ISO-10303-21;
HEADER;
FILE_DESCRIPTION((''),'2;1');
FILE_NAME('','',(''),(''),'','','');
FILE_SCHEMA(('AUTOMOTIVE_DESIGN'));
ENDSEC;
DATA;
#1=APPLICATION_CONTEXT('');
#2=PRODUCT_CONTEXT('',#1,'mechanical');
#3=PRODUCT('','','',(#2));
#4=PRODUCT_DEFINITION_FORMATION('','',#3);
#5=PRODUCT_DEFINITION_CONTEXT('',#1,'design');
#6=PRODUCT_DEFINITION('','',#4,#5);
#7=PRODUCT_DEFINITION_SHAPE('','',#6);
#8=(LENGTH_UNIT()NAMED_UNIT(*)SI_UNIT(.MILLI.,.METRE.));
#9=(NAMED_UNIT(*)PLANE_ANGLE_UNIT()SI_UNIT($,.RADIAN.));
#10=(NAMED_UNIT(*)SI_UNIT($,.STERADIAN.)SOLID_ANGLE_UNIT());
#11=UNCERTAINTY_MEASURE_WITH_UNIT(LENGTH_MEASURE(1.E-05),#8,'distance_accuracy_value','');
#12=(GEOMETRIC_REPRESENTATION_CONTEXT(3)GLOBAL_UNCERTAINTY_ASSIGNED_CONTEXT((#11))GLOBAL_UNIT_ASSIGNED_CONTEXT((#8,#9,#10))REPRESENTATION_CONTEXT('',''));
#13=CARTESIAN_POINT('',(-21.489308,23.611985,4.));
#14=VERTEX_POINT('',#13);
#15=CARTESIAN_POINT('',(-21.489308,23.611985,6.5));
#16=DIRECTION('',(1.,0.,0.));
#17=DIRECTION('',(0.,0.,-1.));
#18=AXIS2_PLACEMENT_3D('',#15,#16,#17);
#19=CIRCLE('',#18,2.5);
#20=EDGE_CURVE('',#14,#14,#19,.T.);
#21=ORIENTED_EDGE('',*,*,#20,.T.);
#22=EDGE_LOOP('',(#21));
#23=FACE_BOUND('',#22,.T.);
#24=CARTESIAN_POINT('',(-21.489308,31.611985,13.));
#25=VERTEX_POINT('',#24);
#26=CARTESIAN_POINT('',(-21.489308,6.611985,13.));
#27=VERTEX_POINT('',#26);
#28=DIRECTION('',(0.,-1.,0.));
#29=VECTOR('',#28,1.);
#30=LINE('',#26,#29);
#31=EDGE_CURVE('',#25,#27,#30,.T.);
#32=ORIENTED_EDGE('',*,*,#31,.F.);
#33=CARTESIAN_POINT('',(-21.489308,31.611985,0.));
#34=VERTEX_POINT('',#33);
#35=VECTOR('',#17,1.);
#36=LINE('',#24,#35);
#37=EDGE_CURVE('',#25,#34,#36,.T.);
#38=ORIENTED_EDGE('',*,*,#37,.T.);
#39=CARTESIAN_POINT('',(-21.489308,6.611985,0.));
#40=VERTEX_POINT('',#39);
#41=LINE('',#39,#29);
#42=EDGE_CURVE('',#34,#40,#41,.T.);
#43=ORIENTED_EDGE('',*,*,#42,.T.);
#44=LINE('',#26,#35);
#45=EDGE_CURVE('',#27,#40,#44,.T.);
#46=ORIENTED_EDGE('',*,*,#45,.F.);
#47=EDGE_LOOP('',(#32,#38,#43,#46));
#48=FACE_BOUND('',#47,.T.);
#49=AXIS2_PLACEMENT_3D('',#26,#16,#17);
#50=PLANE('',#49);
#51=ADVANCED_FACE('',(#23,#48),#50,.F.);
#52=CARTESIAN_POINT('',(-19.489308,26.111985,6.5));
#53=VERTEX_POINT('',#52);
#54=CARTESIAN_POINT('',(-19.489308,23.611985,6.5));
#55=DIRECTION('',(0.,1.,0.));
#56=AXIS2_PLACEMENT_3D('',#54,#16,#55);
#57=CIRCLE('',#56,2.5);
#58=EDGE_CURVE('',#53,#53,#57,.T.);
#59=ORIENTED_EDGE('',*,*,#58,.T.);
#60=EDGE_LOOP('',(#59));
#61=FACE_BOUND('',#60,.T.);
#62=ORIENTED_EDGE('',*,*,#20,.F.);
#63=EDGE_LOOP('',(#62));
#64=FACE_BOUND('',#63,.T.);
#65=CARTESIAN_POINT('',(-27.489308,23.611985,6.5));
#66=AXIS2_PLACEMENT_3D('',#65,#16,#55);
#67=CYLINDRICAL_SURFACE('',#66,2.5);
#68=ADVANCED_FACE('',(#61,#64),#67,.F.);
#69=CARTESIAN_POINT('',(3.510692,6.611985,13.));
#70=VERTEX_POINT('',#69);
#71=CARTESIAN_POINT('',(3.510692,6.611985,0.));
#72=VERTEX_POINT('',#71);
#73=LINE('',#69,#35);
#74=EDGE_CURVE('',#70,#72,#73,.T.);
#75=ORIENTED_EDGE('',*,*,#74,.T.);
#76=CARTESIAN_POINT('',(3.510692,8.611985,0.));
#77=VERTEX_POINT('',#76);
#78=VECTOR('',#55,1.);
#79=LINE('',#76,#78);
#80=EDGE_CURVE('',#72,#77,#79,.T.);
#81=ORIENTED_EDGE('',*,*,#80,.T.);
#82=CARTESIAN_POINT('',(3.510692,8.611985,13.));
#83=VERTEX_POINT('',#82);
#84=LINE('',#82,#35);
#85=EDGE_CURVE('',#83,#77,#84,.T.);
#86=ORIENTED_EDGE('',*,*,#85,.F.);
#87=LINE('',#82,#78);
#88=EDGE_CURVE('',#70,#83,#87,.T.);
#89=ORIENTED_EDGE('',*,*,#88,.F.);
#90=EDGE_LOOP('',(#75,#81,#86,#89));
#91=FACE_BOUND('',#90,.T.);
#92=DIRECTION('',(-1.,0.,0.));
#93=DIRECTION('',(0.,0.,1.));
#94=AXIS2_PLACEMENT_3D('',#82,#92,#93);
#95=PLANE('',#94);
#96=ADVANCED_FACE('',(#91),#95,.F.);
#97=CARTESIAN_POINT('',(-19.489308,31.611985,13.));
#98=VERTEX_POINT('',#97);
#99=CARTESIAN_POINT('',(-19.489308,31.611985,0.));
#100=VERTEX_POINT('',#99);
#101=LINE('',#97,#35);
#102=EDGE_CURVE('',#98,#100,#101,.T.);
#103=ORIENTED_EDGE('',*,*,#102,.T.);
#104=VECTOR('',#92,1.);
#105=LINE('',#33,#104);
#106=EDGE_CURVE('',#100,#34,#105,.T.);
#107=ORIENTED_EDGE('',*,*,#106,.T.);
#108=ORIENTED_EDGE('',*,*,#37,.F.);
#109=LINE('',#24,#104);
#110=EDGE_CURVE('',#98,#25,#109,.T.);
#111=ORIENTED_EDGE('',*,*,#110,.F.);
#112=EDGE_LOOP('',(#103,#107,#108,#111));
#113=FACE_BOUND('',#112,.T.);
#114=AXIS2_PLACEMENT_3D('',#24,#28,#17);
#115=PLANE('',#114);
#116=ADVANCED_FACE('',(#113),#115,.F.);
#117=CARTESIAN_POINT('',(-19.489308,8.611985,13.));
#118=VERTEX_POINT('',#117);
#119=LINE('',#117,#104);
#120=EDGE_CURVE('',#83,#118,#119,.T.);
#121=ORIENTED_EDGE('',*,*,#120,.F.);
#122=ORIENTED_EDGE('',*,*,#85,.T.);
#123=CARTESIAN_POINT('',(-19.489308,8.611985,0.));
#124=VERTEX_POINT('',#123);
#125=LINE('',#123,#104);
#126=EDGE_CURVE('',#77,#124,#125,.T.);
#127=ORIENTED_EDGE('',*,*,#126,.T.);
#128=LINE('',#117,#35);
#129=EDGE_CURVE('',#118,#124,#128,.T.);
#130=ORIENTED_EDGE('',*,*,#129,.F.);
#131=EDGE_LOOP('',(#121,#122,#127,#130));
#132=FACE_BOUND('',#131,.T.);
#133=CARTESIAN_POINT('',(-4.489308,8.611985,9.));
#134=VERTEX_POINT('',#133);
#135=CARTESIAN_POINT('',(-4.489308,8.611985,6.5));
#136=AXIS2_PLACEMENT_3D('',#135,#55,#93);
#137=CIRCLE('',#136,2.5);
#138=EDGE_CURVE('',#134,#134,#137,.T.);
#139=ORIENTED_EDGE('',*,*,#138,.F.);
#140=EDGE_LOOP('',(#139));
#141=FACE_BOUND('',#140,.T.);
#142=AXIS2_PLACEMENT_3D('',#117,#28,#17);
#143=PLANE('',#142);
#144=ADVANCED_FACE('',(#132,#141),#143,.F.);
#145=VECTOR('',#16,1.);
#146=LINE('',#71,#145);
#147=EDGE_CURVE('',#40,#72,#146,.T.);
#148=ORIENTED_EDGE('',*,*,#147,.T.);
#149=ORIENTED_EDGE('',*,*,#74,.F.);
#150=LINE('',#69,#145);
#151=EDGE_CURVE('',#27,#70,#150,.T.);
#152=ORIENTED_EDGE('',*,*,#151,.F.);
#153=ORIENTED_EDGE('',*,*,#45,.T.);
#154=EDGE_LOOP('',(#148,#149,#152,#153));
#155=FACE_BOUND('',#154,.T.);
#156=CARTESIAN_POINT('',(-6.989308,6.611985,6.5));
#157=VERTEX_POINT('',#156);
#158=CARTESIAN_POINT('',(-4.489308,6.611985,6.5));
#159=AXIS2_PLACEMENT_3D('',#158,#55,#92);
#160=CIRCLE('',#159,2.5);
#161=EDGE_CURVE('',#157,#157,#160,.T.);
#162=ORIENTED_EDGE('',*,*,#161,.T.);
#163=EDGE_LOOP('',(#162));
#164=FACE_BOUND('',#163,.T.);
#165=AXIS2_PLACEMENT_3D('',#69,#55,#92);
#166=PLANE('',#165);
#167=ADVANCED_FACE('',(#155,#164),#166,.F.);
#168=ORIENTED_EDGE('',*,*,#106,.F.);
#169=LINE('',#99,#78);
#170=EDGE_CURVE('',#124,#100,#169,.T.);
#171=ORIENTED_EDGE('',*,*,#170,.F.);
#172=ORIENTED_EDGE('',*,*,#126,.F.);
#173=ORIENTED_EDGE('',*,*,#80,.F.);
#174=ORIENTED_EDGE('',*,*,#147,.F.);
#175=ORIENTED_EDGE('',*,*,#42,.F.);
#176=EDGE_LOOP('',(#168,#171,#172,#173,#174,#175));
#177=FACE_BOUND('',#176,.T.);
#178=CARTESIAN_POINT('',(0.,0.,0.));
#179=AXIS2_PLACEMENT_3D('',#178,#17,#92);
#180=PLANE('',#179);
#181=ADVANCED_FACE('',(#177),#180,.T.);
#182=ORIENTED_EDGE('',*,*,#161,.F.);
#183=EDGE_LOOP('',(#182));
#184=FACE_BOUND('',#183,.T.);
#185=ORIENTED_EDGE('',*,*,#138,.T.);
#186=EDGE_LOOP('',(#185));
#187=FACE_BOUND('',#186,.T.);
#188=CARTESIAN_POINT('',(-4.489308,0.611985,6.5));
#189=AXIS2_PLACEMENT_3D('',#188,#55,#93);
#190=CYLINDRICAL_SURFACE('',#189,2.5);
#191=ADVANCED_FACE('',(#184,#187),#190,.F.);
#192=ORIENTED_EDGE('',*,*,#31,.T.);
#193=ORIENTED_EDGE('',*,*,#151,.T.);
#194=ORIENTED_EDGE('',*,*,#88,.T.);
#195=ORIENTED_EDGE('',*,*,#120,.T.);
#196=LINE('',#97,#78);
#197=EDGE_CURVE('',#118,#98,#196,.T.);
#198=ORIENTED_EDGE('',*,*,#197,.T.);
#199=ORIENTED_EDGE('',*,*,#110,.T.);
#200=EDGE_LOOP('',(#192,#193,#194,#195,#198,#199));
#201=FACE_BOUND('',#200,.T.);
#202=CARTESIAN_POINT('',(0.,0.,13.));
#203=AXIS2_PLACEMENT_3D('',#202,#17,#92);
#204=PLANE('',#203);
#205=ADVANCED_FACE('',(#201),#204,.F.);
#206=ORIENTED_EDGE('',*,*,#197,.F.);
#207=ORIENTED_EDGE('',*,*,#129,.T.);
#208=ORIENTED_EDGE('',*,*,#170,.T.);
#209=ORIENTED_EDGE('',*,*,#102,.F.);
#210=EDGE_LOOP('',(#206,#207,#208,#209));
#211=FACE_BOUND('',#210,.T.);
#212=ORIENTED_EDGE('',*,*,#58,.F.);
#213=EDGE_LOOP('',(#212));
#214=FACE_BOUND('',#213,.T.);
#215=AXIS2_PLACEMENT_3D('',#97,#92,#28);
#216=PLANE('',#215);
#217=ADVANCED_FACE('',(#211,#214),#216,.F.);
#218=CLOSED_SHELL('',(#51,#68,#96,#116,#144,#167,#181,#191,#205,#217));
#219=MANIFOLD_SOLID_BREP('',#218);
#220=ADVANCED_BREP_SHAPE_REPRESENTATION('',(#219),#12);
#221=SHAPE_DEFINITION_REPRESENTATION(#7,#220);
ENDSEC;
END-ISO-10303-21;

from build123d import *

# Parameters (mm, degrees)
RESSALTO_EXTRUS_O1_DEPTH = 13
ESBO_O3_R                = 2.5
CORTE_EXTRUS_O1_DEPTH    = 8
ESBO_O4_R                = 2.5
CORTE_EXTRUS_O2_DEPTH    = 8


with BuildPart() as part:
    # Esboço1 → Ressalto-extrusão1 (new body)
    with BuildSketch(Plane.XY):
        Polygon((3.510692293, 8.611985446), (3.510692293, 6.611985446), (-21.489307707, 6.611985446), (-21.489307707, 31.611985446), (-19.489307707, 31.611985446), (-19.489307707, 8.611985446), align=None)
    extrude(amount=RESSALTO_EXTRUS_O1_DEPTH)

    # Esboço3 → Corte-extrusão1 (cut)
    with BuildSketch(Plane(origin=(-19.489307707, 0, 0), x_dir=(0, 0, -1), z_dir=(1, 0, 0))):
        with Locations(Location((-6.5, 23.611985446, 0), (0, 0, 90))):
            Circle(ESBO_O3_R)
    extrude(amount=-CORTE_EXTRUS_O1_DEPTH, mode=Mode.SUBTRACT)

    # Esboço4 → Corte-extrusão2 (cut)
    with BuildSketch(Plane(origin=(0, 8.611985446, 0), x_dir=(1, 0, 0), z_dir=(0, 1, 0))):
        with Locations(Location((-4.489307707, -6.5, 0), (0, 0, 270))):
            Circle(ESBO_O4_R)
    extrude(amount=-CORTE_EXTRUS_O2_DEPTH, mode=Mode.SUBTRACT)


solid = part.part
